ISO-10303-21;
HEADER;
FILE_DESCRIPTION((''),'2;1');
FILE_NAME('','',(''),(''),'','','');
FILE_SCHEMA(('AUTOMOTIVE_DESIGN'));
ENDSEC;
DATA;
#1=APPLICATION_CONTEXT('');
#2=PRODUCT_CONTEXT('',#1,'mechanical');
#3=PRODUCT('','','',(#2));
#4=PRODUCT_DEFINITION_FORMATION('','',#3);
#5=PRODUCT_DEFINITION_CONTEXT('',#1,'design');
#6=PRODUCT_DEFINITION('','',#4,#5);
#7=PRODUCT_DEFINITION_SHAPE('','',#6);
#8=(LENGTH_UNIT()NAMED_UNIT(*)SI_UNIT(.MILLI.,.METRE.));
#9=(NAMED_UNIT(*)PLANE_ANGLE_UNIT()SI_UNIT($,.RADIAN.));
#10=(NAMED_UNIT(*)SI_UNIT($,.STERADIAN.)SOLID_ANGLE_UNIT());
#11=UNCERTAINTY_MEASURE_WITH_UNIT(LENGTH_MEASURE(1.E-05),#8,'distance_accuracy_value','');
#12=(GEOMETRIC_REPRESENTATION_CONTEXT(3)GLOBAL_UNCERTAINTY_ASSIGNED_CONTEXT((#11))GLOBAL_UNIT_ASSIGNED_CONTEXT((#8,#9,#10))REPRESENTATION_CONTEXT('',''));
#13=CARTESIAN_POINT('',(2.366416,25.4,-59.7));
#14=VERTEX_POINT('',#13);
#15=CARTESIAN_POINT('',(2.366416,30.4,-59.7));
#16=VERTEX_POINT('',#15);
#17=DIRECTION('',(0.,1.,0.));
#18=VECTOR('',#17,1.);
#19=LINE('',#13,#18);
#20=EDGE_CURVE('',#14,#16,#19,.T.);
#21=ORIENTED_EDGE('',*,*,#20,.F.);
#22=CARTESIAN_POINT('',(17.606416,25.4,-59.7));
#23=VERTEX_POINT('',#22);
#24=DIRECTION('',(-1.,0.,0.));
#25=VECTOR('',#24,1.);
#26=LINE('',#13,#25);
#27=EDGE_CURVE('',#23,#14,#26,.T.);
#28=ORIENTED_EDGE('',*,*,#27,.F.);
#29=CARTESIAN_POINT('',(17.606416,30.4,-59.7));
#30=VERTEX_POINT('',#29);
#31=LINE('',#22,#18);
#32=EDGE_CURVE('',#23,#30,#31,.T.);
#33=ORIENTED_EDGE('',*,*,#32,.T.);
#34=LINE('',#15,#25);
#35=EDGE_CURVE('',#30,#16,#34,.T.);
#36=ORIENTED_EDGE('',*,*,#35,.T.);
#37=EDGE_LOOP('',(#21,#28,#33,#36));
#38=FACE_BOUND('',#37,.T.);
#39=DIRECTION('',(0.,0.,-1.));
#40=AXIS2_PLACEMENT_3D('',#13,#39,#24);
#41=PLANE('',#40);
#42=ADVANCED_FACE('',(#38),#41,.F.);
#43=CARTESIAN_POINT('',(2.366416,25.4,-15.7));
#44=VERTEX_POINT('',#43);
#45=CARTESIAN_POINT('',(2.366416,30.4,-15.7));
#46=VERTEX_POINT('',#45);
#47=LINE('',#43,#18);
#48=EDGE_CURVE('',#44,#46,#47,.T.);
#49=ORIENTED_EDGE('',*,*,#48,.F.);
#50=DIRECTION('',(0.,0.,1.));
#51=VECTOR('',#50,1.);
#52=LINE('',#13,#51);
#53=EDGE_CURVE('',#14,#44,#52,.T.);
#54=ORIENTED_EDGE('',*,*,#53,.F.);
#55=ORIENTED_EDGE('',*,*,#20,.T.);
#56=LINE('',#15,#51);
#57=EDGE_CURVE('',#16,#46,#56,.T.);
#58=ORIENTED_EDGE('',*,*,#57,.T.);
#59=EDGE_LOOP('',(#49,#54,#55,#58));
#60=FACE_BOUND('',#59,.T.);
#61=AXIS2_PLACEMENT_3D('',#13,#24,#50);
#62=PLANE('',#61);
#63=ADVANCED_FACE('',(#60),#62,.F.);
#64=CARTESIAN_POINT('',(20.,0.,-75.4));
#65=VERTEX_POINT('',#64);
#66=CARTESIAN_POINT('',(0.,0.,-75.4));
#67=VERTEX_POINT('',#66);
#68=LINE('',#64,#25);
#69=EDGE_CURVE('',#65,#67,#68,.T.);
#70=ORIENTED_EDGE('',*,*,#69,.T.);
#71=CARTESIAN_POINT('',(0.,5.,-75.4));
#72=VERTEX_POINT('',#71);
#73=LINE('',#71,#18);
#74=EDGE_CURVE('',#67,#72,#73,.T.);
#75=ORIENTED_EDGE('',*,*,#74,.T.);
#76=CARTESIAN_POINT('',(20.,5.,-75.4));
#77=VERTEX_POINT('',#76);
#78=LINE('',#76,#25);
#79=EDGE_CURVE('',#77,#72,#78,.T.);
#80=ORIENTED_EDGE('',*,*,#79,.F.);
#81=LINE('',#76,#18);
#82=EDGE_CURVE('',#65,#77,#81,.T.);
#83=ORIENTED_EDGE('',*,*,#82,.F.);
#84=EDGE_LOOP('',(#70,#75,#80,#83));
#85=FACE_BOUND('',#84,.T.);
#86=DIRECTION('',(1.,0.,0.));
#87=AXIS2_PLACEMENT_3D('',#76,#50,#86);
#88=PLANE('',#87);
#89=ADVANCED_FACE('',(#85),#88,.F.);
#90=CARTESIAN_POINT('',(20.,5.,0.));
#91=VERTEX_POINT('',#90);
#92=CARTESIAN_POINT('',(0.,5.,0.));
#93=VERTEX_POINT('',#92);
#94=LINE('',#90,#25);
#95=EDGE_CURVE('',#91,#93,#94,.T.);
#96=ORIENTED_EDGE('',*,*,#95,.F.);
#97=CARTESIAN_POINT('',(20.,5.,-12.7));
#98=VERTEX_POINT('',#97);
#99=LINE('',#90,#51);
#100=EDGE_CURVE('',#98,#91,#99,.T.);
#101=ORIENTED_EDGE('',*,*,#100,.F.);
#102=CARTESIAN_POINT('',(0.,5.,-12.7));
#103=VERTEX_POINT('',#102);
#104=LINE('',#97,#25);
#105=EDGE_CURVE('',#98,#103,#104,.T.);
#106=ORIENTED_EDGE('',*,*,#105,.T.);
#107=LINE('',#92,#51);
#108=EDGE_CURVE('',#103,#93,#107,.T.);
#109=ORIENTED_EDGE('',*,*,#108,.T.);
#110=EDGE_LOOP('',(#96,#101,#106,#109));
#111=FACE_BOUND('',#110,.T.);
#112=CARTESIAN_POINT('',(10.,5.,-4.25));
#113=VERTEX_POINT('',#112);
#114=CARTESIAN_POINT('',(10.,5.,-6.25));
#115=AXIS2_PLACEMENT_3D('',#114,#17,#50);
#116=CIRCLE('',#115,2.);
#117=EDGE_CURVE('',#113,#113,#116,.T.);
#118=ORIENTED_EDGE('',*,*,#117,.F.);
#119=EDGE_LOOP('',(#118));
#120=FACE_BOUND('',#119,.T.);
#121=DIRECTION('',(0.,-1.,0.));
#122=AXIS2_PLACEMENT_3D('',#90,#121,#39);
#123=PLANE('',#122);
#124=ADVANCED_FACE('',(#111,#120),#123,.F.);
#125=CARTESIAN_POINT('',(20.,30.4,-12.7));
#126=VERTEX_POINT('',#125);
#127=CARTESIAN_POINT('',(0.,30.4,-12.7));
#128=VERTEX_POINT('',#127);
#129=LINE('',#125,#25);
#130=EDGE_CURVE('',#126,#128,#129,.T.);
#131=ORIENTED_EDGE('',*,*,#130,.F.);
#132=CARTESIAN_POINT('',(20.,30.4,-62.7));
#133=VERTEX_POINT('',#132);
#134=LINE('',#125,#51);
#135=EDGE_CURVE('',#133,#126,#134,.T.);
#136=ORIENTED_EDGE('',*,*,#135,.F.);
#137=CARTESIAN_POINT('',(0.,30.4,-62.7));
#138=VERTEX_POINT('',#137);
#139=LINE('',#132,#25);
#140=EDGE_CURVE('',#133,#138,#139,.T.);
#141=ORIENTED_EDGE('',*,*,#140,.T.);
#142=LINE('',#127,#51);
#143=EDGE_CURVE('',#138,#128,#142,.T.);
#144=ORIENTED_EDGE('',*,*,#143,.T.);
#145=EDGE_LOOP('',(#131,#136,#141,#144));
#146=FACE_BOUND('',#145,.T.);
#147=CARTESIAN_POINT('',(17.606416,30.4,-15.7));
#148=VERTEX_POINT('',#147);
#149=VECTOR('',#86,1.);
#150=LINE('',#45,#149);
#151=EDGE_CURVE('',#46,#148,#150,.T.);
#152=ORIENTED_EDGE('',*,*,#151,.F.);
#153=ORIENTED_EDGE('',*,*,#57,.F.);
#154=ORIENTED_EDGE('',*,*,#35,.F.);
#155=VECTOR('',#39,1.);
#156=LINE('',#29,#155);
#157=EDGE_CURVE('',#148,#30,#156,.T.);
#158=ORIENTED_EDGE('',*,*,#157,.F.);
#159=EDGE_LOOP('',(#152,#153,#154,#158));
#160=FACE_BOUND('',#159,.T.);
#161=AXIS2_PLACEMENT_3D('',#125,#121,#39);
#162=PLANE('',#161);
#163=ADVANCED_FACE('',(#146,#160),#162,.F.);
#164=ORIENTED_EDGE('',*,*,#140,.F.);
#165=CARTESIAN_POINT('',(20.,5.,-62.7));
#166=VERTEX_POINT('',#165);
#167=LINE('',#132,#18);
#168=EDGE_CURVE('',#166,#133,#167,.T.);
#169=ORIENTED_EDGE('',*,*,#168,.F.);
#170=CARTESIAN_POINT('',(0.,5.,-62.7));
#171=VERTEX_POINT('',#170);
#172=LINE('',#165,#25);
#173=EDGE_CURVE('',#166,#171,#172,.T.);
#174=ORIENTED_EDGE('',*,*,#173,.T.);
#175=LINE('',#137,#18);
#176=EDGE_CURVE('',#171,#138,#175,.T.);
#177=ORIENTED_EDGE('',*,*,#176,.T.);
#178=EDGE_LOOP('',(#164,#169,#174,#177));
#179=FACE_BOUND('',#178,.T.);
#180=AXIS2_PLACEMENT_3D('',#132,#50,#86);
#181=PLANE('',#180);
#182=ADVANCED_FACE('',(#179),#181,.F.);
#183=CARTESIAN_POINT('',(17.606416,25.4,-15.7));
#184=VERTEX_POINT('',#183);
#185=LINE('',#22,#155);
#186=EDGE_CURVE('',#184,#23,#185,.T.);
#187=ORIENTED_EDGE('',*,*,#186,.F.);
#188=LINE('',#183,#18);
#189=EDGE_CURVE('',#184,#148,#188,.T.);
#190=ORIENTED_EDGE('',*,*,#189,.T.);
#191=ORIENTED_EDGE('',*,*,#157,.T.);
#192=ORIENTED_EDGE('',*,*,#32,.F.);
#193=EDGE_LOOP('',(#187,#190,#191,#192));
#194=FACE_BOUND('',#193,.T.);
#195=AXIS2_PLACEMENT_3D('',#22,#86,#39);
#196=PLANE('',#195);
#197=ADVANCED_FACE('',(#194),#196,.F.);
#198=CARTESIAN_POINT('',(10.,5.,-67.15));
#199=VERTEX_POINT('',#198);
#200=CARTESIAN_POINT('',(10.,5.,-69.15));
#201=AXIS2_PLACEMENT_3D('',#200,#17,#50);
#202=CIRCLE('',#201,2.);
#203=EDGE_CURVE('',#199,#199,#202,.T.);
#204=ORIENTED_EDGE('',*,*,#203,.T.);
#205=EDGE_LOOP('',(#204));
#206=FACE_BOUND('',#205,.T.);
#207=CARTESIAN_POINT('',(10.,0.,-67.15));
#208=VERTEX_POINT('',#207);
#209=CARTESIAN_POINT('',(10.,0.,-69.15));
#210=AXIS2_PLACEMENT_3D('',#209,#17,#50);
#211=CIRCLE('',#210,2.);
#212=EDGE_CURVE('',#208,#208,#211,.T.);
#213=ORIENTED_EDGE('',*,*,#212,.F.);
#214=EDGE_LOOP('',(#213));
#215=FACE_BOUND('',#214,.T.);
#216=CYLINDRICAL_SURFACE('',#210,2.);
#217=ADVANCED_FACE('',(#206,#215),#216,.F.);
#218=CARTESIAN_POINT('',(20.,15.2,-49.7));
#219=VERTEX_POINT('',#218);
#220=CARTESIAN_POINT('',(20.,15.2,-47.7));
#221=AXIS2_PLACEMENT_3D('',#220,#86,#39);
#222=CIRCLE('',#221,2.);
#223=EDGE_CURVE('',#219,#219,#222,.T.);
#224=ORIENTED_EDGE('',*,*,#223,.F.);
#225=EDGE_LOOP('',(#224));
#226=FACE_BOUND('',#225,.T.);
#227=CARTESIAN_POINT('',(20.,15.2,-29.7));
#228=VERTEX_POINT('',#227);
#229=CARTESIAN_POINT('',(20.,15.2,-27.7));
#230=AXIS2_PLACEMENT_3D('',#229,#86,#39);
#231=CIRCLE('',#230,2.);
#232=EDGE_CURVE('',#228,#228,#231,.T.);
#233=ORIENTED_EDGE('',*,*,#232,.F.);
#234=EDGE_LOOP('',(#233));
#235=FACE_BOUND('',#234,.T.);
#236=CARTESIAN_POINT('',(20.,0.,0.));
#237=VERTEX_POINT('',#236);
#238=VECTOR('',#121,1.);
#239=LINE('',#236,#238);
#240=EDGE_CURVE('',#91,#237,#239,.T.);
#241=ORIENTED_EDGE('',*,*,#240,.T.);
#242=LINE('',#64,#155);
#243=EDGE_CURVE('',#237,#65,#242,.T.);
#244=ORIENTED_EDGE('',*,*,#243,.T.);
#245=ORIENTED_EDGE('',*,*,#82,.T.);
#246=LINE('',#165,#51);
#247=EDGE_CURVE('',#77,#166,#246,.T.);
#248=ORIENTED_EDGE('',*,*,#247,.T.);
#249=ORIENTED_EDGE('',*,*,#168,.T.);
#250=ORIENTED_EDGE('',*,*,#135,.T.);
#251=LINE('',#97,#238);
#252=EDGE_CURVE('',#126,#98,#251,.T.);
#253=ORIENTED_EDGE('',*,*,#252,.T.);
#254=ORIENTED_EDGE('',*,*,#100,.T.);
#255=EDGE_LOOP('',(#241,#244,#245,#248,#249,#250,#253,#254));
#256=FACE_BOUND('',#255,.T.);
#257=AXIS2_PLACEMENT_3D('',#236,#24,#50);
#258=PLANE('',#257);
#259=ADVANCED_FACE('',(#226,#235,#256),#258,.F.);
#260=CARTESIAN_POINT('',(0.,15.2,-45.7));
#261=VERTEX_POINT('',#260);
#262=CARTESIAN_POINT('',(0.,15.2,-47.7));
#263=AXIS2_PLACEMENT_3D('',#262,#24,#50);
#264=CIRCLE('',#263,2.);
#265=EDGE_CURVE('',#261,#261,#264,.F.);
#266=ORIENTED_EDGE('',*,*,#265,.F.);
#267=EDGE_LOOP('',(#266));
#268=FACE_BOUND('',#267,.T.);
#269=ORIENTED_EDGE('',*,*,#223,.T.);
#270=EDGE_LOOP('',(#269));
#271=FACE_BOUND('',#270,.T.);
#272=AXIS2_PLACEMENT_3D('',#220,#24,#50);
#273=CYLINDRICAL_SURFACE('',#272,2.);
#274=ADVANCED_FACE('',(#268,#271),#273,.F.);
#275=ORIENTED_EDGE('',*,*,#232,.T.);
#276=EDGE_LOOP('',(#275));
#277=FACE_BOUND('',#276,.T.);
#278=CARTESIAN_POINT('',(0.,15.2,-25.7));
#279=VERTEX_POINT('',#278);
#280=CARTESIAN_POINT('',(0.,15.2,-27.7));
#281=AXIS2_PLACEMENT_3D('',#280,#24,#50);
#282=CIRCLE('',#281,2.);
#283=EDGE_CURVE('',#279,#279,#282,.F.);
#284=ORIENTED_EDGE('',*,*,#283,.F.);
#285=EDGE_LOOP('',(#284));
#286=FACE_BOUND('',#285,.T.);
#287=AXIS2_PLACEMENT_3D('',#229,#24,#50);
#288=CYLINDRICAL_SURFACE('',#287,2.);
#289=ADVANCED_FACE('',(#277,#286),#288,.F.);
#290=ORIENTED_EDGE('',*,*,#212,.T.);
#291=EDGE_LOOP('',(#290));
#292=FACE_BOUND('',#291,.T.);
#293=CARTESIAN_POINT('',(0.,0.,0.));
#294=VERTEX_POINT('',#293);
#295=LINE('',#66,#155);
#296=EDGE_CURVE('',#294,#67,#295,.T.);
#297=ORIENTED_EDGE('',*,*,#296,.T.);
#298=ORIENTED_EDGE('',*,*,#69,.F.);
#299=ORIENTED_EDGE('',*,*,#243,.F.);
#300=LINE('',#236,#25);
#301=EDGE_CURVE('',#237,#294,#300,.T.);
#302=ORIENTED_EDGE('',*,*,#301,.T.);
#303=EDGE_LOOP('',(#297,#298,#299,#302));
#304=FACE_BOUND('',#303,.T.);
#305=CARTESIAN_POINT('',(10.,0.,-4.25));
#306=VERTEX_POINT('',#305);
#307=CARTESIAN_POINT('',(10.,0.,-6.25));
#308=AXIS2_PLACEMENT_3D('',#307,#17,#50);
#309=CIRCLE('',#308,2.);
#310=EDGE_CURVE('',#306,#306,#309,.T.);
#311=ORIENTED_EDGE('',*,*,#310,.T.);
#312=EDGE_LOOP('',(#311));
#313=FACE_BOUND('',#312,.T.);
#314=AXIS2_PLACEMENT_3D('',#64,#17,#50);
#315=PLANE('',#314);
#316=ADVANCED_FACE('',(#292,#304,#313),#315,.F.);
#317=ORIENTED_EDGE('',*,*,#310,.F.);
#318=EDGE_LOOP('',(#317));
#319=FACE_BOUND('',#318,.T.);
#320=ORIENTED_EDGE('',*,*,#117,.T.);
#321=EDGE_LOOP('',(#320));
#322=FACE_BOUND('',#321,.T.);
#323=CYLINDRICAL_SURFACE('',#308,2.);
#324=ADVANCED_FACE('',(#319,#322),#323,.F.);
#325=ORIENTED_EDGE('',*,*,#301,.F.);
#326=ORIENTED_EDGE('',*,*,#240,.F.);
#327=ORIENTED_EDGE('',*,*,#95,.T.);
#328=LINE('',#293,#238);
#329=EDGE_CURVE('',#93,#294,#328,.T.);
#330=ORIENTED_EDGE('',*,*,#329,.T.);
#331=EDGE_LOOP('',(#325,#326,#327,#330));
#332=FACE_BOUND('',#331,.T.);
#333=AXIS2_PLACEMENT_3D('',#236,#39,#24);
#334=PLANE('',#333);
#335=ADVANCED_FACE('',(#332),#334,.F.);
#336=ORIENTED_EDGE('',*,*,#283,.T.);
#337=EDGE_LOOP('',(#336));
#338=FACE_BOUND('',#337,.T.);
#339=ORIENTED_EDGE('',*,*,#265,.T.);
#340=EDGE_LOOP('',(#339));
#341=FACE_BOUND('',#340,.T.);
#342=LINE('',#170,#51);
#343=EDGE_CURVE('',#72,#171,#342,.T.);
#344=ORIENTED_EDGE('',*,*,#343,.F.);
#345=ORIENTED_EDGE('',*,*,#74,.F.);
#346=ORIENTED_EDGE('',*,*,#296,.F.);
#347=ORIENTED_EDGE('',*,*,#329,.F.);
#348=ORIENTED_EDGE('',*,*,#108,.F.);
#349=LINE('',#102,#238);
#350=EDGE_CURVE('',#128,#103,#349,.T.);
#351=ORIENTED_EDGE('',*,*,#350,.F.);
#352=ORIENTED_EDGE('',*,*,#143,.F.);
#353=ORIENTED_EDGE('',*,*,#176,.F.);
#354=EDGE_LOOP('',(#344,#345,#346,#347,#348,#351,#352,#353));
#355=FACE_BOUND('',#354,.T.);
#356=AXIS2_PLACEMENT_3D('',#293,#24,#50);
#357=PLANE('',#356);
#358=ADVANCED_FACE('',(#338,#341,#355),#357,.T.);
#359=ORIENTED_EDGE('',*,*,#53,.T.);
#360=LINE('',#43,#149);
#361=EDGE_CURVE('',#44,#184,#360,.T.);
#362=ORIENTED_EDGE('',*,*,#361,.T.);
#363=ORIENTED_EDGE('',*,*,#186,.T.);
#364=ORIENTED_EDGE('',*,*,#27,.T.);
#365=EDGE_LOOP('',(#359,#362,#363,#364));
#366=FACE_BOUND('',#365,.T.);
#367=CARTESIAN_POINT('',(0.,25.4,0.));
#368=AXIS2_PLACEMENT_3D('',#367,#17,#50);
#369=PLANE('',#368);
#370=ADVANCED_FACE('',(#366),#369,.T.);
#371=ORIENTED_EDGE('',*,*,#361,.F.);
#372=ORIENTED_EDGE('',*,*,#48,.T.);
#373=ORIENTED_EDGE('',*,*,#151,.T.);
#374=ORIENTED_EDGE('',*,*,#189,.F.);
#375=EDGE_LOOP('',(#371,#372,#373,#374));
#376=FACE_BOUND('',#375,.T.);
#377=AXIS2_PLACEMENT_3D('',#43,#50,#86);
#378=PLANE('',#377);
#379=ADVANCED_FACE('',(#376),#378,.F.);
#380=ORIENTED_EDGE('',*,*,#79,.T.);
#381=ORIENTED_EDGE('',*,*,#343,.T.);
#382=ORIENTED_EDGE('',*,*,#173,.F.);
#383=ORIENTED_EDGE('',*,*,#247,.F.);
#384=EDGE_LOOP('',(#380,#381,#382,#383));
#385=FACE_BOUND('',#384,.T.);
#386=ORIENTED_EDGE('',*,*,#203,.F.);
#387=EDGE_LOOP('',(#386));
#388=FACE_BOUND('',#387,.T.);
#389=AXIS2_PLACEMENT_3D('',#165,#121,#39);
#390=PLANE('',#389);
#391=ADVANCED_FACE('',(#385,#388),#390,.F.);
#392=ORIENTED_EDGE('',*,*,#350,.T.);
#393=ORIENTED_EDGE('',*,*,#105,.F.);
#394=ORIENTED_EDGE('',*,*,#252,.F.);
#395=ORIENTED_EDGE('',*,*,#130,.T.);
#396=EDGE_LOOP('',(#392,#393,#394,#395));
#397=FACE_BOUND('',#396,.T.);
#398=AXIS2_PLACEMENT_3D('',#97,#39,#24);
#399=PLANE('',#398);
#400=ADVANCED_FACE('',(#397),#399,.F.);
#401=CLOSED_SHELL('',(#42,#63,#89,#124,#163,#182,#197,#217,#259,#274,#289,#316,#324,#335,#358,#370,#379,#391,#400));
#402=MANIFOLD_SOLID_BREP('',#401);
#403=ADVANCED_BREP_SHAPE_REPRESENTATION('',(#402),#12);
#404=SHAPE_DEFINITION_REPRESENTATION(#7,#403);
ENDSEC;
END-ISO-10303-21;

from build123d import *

# Parameters (mm, degrees)
BOSS_EXTRUDE1_DEPTH     = 20
SKETCH4_W               = 15.24
SKETCH4_H               = 44
CUT_EXTRUDE1_DEPTH      = 5
SKETCH5_R               = 2
CUT_EXTRUDE2_DEPTH      = 5
CUT_EXTRUDE3_DEPTH      = 84.72168178
CUT_EXTRUDE3_DEPTH_BACK = 5
SKETCH6_R               = 2


with BuildPart() as part:
    # Sketch1 → Boss-Extrude1 (new body)
    with BuildSketch(Plane(origin=(0, 0, 0), x_dir=(0, 0, -1), z_dir=(1, 0, 0))):
        Polygon((0, 0), (0, 5), (12.7, 5), (12.7, 30.4), (62.7, 30.4), (62.7, 5), (75.4, 5), (75.4, 0), align=None)
    extrude(amount=BOSS_EXTRUDE1_DEPTH)

    # Sketch4 → Cut-Extrude1 (cut)
    with BuildSketch(Plane(origin=(0, 30.4, 0), x_dir=(1, 0, 0), z_dir=(0, 1, 0))):
        with Locations((9.986416009, 37.7)):
            Rectangle(SKETCH4_W, SKETCH4_H)
    extrude(amount=-CUT_EXTRUDE1_DEPTH, mode=Mode.SUBTRACT)

    # Sketch5 → Cut-Extrude2 (cut)
    with BuildSketch(Plane(origin=(0, 5, 0), x_dir=(1, 0, 0), z_dir=(0, 1, 0))):
        with Locations(Location((10, 69.15, 0), (0, 0, 270))):
            Circle(SKETCH5_R)
        with Locations(Location((10, 6.25, 0), (0, 0, 270))):
            Circle(SKETCH5_R)
    extrude(amount=-CUT_EXTRUDE2_DEPTH, mode=Mode.SUBTRACT)

    # Sketch6 → Cut-Extrude3 (cut, two sides: drawn at the far end of the back side and taken through both)
    with BuildSketch(Plane(origin=(0, 0, 0), x_dir=(0, 0, -1), z_dir=(1, 0, 0)).offset(-CUT_EXTRUDE3_DEPTH_BACK)):
        with Locations(Location((27.7, 15.2, 0), (0, 0, 180))):
            Circle(SKETCH6_R)
        with Locations(Location((47.7, 15.2, 0), (0, 0, 180))):
            Circle(SKETCH6_R)
    extrude(amount=CUT_EXTRUDE3_DEPTH + CUT_EXTRUDE3_DEPTH_BACK, mode=Mode.SUBTRACT)


solid = part.part
